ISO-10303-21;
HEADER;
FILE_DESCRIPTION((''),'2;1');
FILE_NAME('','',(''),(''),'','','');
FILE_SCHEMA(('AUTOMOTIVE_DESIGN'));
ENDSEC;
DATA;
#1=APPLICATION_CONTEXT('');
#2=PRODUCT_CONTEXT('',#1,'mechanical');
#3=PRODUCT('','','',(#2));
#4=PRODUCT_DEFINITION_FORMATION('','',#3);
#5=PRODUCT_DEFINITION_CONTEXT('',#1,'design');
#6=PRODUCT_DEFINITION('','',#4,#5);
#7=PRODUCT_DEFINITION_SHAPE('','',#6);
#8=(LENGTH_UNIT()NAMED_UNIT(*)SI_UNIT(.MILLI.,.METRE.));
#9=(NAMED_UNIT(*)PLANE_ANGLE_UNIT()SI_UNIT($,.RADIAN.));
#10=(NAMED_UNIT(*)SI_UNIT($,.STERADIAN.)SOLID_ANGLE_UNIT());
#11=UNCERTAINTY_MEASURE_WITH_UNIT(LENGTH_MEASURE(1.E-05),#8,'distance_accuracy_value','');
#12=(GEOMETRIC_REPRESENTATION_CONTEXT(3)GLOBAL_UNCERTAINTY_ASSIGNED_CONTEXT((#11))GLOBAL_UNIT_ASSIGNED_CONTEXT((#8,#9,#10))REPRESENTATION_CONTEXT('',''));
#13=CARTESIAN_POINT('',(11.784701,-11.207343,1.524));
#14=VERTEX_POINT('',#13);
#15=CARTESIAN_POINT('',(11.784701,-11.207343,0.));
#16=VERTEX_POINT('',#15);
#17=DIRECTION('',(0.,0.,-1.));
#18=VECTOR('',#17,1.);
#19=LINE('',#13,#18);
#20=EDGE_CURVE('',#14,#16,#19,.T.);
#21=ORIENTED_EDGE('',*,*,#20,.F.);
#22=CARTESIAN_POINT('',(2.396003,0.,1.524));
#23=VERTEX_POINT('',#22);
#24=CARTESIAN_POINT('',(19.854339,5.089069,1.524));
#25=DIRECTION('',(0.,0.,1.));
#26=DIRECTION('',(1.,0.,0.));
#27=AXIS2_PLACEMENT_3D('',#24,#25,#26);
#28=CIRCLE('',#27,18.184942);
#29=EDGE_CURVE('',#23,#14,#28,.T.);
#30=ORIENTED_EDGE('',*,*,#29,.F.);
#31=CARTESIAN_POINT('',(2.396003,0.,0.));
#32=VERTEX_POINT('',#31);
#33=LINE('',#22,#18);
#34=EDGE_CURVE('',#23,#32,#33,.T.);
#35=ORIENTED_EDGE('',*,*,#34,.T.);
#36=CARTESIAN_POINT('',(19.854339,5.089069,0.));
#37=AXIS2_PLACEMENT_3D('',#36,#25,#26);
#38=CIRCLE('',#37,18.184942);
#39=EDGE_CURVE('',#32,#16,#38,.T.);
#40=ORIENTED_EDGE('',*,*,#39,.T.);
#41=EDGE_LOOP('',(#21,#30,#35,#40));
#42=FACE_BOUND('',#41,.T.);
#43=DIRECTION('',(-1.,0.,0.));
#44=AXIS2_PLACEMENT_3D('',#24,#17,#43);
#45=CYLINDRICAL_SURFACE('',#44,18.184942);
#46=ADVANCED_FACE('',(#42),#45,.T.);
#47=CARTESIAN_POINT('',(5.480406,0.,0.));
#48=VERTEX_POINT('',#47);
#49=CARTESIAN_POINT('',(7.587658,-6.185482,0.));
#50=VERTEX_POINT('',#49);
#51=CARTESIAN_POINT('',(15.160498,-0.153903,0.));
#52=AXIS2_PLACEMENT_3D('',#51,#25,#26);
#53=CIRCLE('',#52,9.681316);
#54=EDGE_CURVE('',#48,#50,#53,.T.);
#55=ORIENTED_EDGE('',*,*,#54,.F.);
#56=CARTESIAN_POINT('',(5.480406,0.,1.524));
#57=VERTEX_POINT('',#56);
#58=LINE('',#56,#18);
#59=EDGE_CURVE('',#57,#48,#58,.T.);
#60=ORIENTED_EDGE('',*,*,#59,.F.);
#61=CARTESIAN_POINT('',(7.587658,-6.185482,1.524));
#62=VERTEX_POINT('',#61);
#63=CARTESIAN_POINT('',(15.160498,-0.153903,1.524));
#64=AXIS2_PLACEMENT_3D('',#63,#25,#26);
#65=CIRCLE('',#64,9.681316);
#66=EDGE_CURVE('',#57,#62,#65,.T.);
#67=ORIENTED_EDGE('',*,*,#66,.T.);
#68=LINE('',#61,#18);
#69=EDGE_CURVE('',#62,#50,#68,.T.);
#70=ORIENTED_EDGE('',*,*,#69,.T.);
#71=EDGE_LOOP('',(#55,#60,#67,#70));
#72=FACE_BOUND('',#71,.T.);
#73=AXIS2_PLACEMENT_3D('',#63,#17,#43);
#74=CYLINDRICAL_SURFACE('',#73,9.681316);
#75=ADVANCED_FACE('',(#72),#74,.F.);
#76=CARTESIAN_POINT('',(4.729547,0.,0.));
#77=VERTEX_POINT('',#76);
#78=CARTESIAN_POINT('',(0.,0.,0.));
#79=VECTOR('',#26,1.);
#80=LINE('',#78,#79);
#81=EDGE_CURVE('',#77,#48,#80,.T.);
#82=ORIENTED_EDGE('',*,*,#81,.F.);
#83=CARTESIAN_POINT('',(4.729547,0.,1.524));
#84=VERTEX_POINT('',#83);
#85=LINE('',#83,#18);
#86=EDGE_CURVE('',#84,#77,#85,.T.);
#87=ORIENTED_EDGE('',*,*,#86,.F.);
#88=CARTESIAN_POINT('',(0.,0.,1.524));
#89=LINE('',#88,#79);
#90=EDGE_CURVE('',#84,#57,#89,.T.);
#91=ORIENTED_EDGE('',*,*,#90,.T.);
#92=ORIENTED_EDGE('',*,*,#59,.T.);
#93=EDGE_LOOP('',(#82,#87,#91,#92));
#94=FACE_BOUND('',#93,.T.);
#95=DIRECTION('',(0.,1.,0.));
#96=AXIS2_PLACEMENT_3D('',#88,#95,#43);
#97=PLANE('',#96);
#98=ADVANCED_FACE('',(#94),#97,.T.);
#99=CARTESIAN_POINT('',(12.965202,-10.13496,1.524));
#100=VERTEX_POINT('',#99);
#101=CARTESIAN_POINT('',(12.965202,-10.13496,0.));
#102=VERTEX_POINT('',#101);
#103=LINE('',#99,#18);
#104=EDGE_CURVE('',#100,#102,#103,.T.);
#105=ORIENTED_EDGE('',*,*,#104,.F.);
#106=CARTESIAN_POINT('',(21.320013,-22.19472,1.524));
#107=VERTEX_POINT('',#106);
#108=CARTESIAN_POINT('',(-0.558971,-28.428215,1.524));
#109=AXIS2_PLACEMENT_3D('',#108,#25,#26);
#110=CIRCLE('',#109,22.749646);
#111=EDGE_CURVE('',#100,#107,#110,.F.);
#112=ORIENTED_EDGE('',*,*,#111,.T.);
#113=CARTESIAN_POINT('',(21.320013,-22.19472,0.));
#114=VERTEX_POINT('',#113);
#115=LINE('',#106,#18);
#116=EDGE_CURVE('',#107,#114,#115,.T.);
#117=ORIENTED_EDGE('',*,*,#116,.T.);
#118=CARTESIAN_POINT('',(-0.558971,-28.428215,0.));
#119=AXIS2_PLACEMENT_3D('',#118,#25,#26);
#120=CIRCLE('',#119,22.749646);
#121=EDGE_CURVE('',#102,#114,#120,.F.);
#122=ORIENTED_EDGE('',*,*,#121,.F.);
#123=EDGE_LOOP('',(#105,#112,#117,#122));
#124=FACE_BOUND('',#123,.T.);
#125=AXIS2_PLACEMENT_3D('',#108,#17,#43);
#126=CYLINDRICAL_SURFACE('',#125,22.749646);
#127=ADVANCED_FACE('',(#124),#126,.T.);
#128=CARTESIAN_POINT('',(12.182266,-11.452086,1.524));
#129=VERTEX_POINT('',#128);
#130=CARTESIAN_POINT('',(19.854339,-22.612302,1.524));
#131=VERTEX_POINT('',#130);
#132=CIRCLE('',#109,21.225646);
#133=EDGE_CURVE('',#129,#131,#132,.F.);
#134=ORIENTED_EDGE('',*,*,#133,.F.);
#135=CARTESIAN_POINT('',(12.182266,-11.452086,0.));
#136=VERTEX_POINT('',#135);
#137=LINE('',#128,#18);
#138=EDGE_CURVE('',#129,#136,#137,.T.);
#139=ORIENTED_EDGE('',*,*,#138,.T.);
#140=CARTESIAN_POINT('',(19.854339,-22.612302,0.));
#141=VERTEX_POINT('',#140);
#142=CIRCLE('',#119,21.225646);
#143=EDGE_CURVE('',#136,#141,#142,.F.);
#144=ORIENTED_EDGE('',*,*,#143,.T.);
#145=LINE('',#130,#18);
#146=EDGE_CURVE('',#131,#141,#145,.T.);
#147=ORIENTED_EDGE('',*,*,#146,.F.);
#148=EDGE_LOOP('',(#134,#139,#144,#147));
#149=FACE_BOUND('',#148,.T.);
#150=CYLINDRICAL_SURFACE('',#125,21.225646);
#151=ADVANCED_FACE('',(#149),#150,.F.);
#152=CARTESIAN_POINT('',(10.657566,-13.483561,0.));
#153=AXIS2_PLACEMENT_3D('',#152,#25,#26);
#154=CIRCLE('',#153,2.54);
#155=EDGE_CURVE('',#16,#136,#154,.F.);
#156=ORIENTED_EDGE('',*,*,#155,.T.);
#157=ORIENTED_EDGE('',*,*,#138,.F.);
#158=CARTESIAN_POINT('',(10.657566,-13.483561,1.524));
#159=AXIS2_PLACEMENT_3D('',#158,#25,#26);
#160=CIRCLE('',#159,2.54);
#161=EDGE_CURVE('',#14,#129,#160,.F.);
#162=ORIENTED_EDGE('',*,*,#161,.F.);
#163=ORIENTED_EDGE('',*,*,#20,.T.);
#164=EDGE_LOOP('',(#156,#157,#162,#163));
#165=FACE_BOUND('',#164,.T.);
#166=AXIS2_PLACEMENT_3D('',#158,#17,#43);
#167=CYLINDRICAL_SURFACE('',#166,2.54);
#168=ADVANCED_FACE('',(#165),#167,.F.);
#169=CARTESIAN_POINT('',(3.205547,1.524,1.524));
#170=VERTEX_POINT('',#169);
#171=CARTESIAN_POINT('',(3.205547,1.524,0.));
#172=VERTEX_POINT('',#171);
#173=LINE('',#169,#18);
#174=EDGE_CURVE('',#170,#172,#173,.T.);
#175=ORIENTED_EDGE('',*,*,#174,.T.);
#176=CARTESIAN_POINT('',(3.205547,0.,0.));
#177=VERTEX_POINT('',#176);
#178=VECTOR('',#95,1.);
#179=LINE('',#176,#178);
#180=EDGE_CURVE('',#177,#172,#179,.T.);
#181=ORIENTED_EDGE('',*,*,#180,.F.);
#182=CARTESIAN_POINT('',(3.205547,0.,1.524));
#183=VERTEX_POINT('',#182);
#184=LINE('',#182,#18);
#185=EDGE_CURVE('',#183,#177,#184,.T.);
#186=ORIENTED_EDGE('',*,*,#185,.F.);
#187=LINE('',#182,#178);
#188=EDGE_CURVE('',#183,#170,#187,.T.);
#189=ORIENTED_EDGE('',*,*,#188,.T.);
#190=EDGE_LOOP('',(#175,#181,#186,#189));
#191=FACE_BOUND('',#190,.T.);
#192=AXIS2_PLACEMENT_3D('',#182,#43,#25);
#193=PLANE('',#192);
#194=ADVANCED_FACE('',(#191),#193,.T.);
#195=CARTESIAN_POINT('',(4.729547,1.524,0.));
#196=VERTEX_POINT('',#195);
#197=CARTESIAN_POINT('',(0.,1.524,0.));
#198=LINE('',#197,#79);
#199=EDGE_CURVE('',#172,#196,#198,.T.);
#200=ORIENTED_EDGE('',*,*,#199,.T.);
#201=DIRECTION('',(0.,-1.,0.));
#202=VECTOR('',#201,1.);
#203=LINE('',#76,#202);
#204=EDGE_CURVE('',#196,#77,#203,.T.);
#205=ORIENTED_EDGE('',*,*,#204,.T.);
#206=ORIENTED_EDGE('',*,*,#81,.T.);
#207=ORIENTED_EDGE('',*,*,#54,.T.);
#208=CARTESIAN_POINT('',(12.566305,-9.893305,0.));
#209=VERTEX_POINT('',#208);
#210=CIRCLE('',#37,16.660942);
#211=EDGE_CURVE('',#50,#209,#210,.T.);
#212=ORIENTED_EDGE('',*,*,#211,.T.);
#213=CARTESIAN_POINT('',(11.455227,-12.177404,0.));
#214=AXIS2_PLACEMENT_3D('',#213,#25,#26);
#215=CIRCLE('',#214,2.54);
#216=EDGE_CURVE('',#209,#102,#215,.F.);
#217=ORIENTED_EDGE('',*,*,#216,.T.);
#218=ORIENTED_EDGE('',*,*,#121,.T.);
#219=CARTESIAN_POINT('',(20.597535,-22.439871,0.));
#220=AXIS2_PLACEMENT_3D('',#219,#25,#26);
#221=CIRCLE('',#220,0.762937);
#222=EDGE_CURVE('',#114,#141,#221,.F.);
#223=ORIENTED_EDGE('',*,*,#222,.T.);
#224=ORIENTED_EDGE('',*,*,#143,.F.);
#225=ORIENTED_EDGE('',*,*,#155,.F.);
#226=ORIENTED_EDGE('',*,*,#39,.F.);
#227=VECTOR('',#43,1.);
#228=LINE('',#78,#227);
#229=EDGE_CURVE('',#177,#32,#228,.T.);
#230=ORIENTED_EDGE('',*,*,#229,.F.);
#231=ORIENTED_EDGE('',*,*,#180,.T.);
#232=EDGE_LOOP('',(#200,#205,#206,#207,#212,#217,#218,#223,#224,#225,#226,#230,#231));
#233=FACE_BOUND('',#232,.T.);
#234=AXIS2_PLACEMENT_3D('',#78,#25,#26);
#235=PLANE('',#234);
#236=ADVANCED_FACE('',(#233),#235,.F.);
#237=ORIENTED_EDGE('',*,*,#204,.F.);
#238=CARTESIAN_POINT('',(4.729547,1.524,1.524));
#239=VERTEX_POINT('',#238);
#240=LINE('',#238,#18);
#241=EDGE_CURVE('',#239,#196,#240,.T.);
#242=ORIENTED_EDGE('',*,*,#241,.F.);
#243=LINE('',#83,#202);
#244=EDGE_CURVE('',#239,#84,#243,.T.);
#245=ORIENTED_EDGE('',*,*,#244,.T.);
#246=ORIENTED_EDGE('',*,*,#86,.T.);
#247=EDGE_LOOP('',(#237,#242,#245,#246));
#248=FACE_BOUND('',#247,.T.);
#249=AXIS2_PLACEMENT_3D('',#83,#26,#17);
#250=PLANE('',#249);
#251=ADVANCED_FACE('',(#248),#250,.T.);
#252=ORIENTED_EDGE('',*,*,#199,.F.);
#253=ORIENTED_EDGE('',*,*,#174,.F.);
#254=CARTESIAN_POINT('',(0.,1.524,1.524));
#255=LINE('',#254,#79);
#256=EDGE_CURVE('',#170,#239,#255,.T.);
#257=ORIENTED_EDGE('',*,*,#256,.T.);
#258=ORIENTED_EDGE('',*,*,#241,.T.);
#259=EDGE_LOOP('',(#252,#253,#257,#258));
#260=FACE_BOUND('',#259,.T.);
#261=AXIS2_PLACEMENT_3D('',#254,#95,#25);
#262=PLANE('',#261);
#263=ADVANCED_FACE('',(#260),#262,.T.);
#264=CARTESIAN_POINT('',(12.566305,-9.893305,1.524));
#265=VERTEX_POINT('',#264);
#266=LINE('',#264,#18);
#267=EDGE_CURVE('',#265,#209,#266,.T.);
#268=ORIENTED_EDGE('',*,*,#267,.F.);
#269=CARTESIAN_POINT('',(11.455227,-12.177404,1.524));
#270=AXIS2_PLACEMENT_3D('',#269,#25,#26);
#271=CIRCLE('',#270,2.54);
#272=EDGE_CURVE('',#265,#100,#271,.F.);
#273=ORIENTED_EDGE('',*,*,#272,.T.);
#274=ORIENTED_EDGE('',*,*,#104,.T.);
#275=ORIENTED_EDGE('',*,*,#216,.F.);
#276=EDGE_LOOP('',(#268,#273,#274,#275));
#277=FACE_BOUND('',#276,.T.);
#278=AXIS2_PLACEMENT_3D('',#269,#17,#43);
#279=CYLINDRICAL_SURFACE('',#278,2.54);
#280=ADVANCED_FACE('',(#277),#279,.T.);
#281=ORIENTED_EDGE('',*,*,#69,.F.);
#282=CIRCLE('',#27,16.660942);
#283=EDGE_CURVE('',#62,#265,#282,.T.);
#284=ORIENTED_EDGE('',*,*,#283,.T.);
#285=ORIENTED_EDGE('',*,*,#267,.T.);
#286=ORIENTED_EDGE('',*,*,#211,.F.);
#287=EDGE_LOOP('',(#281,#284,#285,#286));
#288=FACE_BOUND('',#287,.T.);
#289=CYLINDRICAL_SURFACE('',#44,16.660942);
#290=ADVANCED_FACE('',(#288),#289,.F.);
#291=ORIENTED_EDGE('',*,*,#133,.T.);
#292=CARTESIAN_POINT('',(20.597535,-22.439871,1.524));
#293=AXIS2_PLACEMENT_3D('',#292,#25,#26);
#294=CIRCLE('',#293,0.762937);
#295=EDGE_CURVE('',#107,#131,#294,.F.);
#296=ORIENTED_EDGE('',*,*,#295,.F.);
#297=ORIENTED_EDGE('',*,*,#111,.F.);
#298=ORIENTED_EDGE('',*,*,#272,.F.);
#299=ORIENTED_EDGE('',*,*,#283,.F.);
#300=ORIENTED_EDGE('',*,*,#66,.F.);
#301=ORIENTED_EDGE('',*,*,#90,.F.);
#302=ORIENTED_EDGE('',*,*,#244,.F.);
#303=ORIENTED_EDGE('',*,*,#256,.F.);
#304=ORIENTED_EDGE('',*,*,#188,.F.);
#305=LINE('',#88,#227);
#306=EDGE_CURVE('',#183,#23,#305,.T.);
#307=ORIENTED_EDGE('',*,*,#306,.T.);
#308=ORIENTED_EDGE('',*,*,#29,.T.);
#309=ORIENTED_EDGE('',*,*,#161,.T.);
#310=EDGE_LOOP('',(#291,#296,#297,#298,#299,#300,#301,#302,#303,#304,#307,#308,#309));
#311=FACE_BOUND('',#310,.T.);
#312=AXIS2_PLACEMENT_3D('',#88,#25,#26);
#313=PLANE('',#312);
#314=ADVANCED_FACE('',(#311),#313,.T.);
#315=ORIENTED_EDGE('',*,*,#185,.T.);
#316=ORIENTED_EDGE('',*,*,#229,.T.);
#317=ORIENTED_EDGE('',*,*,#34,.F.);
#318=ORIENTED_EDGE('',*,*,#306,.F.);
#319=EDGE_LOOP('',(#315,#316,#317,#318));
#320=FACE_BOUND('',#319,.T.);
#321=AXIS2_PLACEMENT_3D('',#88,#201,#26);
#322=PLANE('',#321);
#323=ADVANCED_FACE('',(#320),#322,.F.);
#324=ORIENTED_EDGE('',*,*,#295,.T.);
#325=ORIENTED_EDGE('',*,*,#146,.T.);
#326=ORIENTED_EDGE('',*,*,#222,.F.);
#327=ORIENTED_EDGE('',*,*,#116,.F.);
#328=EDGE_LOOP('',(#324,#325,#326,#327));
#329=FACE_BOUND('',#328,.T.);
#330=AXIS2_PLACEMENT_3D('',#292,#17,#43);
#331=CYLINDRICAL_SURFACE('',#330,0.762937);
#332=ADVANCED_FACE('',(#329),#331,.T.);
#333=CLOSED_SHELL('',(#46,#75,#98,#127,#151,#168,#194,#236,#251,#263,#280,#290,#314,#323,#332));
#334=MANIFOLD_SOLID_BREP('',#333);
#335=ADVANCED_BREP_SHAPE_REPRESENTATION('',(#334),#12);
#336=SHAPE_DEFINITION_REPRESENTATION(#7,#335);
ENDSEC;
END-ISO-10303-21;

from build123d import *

# Parameters (mm, degrees)
BOSS_EXTRUDE1_DEPTH = 1.524


with BuildPart() as part:
    # Sketch1 → Boss-Extrude1 (new body)
    with BuildSketch(Plane.XY):
        with BuildLine():
            ThreePointArc((12.566304874, -9.8933052), (12.77131161, -10.004957793), (12.965201909, -10.13496016))
            ThreePointArc((12.965201909, -10.13496016), (18.14143902, -15.472865183), (21.320013307, -22.194719552))
            ThreePointArc((21.320013307, -22.194719552), (20.806583347, -23.173609324), (19.854339012, -22.612301713))
            ThreePointArc((19.854339012, -22.612301713), (16.93227249, -16.403886417), (12.182265789, -11.452085777))
            ThreePointArc((12.182265789, -11.452085777), (11.989118214, -11.3205608), (11.784700698, -11.207342939))
            ThreePointArc((11.784700698, -11.207342939), (5.914450191, -6.588756496), (2.396003148, 0))
            Line((2.396003148, 0), (3.20554689, 0))
            Line((3.20554689, 0), (3.20554689, 1.524))
            Line((3.20554689, 1.524), (4.72954689, 1.524))
            Line((4.72954689, 1.524), (4.72954689, 0))
            Line((4.72954689, 0), (5.480406076, 0))
            ThreePointArc((5.480406076, 0), (5.996385034, -3.275905029), (7.587657532, -6.185482298))
            ThreePointArc((7.587657532, -6.185482298), (9.902770623, -8.273313508), (12.566304874, -9.8933052))
        make_face()
    extrude(amount=BOSS_EXTRUDE1_DEPTH)


solid = part.part
